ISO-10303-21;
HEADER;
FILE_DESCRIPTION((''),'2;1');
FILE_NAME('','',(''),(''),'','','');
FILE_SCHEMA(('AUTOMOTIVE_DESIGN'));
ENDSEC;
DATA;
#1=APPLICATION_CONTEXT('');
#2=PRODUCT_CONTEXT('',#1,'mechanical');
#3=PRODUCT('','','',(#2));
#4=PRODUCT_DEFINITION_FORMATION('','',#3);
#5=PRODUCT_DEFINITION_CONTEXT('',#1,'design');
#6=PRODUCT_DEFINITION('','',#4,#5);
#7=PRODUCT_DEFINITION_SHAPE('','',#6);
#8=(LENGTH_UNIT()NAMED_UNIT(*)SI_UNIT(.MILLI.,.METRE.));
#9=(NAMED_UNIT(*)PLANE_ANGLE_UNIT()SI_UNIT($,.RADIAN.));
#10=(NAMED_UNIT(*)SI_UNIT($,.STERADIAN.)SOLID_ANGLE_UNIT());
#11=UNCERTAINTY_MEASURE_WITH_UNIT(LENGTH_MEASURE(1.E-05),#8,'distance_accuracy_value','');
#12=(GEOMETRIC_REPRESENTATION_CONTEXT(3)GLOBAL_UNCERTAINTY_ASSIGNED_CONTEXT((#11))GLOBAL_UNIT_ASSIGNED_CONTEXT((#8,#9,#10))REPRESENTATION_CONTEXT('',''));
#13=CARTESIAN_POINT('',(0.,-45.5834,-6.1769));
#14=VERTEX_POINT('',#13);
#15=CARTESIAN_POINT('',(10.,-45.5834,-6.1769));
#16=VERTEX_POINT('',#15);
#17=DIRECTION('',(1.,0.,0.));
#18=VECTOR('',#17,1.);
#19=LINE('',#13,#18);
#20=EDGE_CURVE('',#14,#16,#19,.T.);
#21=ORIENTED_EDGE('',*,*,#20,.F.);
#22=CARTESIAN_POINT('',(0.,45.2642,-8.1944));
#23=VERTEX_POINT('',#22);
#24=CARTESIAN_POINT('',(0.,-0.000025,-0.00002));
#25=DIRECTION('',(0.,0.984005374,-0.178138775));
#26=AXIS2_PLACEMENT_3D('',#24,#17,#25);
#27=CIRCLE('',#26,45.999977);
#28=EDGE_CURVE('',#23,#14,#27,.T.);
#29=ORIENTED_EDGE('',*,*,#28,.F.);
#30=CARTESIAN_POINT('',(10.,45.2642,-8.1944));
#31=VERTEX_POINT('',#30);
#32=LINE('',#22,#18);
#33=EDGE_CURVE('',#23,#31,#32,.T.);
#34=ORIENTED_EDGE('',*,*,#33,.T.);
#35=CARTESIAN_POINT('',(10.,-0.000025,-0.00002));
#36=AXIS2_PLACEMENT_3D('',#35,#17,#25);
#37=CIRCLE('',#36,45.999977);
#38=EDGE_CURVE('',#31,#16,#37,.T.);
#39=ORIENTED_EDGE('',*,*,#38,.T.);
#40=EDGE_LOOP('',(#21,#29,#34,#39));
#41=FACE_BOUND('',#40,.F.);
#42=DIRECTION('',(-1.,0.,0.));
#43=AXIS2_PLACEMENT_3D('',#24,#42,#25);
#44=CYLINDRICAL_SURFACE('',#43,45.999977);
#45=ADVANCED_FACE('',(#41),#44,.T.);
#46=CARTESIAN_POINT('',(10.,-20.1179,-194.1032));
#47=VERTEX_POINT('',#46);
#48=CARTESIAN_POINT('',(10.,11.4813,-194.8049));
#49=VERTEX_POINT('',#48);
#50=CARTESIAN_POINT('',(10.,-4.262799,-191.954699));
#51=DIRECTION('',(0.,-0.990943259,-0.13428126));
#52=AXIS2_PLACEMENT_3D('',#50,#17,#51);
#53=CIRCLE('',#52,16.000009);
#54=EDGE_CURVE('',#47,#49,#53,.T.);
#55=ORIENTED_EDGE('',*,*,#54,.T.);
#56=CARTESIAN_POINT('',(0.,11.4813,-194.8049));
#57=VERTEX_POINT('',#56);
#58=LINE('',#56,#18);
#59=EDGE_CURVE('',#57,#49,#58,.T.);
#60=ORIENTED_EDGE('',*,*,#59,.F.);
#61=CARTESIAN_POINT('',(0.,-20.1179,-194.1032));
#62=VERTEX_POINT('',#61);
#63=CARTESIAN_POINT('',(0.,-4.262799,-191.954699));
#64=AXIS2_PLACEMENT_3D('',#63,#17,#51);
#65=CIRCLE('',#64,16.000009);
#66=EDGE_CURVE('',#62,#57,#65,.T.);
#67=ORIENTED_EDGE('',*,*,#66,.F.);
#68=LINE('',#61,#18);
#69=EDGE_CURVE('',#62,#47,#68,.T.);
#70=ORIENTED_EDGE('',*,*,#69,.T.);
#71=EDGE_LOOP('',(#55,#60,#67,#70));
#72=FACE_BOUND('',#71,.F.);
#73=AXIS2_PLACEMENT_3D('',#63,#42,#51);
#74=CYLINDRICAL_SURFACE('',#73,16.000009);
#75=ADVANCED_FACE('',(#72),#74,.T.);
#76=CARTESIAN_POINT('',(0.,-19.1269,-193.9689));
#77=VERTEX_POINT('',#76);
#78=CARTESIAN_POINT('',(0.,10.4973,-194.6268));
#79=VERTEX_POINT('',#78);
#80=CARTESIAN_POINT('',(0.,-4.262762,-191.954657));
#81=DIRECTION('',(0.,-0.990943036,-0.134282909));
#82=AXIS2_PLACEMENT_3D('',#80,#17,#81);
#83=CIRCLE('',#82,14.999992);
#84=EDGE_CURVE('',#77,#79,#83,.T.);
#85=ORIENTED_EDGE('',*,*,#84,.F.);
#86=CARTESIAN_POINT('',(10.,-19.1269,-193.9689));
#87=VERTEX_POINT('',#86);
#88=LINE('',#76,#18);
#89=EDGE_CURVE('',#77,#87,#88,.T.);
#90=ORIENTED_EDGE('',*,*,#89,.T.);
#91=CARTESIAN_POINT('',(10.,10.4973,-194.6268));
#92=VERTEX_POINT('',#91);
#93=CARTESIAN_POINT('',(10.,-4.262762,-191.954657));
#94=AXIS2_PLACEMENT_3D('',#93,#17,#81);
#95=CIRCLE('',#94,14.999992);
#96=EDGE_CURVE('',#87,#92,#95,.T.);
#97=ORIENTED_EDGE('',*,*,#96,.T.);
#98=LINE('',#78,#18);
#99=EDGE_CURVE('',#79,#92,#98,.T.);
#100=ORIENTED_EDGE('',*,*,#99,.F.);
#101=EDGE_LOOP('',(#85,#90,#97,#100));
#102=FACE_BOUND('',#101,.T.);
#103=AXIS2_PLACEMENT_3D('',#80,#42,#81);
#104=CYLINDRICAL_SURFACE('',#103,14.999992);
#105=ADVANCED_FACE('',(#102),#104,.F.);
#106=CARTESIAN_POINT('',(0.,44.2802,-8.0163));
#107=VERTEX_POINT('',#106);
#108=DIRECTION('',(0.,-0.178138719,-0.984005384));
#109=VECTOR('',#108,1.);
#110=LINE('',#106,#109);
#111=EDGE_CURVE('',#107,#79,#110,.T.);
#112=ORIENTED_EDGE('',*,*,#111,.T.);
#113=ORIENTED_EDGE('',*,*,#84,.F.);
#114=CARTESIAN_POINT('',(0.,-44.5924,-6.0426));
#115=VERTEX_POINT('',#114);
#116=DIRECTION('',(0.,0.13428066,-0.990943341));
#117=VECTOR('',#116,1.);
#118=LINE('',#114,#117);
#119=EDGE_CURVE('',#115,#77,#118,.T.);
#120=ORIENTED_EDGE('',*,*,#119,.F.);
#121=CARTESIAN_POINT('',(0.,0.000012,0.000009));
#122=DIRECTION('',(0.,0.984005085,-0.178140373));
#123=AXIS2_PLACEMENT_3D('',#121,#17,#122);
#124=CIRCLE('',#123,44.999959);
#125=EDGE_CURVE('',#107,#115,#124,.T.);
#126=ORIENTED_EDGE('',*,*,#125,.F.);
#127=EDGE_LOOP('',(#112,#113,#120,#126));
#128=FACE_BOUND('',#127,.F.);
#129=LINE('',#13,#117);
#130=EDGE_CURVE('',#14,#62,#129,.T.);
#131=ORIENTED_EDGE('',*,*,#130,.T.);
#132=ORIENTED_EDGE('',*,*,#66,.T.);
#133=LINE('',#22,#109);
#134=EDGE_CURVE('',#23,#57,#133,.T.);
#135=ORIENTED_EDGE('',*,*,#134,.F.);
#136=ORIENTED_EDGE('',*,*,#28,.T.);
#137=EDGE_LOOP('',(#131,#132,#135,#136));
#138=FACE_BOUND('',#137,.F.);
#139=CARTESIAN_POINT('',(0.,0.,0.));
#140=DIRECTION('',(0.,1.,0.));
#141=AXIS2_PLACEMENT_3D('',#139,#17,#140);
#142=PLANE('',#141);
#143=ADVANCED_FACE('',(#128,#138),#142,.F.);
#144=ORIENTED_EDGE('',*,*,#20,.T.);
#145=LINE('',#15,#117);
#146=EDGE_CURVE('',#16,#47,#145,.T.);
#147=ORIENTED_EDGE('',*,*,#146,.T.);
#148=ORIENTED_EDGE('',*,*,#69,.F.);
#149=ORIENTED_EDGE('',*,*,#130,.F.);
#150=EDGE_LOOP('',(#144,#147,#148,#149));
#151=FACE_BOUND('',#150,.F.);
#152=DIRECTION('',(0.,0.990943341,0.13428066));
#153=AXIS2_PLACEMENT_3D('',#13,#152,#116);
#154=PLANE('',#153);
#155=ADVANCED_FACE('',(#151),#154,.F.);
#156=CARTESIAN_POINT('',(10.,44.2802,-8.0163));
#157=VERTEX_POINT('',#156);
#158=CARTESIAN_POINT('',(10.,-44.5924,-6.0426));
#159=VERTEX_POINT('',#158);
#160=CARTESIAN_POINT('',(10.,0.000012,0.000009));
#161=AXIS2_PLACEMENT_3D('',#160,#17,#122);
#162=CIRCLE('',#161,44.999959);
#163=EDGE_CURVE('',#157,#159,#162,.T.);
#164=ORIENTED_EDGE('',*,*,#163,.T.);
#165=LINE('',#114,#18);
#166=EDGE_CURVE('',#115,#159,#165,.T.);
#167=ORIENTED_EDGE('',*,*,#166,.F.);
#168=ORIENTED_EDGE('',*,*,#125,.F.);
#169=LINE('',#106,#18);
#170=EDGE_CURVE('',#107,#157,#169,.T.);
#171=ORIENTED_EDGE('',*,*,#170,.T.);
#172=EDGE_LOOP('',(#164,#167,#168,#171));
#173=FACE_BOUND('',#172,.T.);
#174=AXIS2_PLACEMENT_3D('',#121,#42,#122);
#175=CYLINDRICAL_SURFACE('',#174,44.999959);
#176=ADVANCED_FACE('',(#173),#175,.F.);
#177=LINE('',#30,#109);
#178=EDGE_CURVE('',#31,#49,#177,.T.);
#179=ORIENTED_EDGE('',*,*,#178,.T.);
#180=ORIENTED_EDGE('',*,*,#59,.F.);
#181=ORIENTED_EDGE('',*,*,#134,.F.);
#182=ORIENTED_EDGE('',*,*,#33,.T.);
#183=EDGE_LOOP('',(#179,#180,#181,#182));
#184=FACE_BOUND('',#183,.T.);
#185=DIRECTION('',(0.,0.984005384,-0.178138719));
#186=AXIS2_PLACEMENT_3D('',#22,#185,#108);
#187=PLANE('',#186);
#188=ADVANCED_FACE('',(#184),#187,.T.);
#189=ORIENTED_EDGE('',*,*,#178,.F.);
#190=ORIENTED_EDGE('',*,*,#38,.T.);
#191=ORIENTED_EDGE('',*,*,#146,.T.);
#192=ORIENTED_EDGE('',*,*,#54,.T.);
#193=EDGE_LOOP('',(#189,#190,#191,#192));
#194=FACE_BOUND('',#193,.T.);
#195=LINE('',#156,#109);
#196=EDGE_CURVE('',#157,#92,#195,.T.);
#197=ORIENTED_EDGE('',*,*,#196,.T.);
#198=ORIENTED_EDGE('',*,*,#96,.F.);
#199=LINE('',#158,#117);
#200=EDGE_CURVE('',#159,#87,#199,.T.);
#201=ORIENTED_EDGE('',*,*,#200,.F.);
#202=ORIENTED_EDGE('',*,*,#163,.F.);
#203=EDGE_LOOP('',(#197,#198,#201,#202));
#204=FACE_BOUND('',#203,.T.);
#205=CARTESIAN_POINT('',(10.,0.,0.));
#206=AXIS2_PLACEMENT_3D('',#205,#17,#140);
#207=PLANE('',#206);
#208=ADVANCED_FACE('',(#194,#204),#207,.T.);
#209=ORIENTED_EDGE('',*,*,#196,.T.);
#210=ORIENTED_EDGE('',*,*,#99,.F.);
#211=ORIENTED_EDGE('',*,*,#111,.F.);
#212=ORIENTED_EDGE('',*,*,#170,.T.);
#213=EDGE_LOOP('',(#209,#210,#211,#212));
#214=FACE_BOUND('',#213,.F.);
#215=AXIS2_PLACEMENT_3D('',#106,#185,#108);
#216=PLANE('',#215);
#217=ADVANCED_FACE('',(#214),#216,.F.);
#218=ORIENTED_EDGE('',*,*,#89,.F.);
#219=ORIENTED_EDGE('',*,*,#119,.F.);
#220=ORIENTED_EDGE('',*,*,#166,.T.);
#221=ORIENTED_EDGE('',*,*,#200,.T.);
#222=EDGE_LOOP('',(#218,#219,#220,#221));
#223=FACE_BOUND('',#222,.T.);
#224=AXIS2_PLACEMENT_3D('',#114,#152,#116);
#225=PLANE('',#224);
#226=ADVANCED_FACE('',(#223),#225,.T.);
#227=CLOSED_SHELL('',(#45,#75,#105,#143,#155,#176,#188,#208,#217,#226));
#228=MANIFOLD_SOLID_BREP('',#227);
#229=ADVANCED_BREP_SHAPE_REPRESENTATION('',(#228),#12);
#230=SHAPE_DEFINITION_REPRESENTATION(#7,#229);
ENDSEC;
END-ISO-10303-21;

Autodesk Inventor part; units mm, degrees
ref_plane "YZ Plane" through (0, 0, 0) normal (1, 0, 0) x (0, 1, 0)
ref_plane "XZ Plane" through (0, 0, 0) normal (0, 1, 0) x (-1, 0, 0)
ref_plane "XY Plane" through (0, 0, 0) normal (0, 0, 1) x (1, 0, 0)
sketch "スケッチ1" plane through (0, 0, 0) normal (1, 0, 0) x (0, 1, 0)
  arc A0 (45.2642, -8.1944) -> (-45.5834, -6.1769) centre (0, 0) ccw
  arc A1 (-20.1179, -194.1032) -> (11.4813, -194.8049) centre (-4.2628, -191.9547) ccw
  line L0 (45.2642, -8.1944) -> (11.4813, -194.8049)
  line L1 (-45.5834, -6.1769) -> (-20.1179, -194.1032)
  arc A2 (44.2802, -8.0163) -> (-44.5924, -6.0426) centre (0, 0) ccw
  arc A3 (-19.1269, -193.9689) -> (10.4973, -194.6268) centre (-4.2628, -191.9547) ccw
  line L2 (44.2802, -8.0163) -> (10.4973, -194.6268)
  line L3 (-44.5924, -6.0426) -> (-19.1269, -193.9689)
  dimension "d0" = 92
  dimension "d1" = 32
  dimension "d2" = 192.002
  dimension "d3" = 90
extrude "押し出し1" add sketch "スケッチ1" along normal blind 10
properties part number "type5" material "ゴム"
